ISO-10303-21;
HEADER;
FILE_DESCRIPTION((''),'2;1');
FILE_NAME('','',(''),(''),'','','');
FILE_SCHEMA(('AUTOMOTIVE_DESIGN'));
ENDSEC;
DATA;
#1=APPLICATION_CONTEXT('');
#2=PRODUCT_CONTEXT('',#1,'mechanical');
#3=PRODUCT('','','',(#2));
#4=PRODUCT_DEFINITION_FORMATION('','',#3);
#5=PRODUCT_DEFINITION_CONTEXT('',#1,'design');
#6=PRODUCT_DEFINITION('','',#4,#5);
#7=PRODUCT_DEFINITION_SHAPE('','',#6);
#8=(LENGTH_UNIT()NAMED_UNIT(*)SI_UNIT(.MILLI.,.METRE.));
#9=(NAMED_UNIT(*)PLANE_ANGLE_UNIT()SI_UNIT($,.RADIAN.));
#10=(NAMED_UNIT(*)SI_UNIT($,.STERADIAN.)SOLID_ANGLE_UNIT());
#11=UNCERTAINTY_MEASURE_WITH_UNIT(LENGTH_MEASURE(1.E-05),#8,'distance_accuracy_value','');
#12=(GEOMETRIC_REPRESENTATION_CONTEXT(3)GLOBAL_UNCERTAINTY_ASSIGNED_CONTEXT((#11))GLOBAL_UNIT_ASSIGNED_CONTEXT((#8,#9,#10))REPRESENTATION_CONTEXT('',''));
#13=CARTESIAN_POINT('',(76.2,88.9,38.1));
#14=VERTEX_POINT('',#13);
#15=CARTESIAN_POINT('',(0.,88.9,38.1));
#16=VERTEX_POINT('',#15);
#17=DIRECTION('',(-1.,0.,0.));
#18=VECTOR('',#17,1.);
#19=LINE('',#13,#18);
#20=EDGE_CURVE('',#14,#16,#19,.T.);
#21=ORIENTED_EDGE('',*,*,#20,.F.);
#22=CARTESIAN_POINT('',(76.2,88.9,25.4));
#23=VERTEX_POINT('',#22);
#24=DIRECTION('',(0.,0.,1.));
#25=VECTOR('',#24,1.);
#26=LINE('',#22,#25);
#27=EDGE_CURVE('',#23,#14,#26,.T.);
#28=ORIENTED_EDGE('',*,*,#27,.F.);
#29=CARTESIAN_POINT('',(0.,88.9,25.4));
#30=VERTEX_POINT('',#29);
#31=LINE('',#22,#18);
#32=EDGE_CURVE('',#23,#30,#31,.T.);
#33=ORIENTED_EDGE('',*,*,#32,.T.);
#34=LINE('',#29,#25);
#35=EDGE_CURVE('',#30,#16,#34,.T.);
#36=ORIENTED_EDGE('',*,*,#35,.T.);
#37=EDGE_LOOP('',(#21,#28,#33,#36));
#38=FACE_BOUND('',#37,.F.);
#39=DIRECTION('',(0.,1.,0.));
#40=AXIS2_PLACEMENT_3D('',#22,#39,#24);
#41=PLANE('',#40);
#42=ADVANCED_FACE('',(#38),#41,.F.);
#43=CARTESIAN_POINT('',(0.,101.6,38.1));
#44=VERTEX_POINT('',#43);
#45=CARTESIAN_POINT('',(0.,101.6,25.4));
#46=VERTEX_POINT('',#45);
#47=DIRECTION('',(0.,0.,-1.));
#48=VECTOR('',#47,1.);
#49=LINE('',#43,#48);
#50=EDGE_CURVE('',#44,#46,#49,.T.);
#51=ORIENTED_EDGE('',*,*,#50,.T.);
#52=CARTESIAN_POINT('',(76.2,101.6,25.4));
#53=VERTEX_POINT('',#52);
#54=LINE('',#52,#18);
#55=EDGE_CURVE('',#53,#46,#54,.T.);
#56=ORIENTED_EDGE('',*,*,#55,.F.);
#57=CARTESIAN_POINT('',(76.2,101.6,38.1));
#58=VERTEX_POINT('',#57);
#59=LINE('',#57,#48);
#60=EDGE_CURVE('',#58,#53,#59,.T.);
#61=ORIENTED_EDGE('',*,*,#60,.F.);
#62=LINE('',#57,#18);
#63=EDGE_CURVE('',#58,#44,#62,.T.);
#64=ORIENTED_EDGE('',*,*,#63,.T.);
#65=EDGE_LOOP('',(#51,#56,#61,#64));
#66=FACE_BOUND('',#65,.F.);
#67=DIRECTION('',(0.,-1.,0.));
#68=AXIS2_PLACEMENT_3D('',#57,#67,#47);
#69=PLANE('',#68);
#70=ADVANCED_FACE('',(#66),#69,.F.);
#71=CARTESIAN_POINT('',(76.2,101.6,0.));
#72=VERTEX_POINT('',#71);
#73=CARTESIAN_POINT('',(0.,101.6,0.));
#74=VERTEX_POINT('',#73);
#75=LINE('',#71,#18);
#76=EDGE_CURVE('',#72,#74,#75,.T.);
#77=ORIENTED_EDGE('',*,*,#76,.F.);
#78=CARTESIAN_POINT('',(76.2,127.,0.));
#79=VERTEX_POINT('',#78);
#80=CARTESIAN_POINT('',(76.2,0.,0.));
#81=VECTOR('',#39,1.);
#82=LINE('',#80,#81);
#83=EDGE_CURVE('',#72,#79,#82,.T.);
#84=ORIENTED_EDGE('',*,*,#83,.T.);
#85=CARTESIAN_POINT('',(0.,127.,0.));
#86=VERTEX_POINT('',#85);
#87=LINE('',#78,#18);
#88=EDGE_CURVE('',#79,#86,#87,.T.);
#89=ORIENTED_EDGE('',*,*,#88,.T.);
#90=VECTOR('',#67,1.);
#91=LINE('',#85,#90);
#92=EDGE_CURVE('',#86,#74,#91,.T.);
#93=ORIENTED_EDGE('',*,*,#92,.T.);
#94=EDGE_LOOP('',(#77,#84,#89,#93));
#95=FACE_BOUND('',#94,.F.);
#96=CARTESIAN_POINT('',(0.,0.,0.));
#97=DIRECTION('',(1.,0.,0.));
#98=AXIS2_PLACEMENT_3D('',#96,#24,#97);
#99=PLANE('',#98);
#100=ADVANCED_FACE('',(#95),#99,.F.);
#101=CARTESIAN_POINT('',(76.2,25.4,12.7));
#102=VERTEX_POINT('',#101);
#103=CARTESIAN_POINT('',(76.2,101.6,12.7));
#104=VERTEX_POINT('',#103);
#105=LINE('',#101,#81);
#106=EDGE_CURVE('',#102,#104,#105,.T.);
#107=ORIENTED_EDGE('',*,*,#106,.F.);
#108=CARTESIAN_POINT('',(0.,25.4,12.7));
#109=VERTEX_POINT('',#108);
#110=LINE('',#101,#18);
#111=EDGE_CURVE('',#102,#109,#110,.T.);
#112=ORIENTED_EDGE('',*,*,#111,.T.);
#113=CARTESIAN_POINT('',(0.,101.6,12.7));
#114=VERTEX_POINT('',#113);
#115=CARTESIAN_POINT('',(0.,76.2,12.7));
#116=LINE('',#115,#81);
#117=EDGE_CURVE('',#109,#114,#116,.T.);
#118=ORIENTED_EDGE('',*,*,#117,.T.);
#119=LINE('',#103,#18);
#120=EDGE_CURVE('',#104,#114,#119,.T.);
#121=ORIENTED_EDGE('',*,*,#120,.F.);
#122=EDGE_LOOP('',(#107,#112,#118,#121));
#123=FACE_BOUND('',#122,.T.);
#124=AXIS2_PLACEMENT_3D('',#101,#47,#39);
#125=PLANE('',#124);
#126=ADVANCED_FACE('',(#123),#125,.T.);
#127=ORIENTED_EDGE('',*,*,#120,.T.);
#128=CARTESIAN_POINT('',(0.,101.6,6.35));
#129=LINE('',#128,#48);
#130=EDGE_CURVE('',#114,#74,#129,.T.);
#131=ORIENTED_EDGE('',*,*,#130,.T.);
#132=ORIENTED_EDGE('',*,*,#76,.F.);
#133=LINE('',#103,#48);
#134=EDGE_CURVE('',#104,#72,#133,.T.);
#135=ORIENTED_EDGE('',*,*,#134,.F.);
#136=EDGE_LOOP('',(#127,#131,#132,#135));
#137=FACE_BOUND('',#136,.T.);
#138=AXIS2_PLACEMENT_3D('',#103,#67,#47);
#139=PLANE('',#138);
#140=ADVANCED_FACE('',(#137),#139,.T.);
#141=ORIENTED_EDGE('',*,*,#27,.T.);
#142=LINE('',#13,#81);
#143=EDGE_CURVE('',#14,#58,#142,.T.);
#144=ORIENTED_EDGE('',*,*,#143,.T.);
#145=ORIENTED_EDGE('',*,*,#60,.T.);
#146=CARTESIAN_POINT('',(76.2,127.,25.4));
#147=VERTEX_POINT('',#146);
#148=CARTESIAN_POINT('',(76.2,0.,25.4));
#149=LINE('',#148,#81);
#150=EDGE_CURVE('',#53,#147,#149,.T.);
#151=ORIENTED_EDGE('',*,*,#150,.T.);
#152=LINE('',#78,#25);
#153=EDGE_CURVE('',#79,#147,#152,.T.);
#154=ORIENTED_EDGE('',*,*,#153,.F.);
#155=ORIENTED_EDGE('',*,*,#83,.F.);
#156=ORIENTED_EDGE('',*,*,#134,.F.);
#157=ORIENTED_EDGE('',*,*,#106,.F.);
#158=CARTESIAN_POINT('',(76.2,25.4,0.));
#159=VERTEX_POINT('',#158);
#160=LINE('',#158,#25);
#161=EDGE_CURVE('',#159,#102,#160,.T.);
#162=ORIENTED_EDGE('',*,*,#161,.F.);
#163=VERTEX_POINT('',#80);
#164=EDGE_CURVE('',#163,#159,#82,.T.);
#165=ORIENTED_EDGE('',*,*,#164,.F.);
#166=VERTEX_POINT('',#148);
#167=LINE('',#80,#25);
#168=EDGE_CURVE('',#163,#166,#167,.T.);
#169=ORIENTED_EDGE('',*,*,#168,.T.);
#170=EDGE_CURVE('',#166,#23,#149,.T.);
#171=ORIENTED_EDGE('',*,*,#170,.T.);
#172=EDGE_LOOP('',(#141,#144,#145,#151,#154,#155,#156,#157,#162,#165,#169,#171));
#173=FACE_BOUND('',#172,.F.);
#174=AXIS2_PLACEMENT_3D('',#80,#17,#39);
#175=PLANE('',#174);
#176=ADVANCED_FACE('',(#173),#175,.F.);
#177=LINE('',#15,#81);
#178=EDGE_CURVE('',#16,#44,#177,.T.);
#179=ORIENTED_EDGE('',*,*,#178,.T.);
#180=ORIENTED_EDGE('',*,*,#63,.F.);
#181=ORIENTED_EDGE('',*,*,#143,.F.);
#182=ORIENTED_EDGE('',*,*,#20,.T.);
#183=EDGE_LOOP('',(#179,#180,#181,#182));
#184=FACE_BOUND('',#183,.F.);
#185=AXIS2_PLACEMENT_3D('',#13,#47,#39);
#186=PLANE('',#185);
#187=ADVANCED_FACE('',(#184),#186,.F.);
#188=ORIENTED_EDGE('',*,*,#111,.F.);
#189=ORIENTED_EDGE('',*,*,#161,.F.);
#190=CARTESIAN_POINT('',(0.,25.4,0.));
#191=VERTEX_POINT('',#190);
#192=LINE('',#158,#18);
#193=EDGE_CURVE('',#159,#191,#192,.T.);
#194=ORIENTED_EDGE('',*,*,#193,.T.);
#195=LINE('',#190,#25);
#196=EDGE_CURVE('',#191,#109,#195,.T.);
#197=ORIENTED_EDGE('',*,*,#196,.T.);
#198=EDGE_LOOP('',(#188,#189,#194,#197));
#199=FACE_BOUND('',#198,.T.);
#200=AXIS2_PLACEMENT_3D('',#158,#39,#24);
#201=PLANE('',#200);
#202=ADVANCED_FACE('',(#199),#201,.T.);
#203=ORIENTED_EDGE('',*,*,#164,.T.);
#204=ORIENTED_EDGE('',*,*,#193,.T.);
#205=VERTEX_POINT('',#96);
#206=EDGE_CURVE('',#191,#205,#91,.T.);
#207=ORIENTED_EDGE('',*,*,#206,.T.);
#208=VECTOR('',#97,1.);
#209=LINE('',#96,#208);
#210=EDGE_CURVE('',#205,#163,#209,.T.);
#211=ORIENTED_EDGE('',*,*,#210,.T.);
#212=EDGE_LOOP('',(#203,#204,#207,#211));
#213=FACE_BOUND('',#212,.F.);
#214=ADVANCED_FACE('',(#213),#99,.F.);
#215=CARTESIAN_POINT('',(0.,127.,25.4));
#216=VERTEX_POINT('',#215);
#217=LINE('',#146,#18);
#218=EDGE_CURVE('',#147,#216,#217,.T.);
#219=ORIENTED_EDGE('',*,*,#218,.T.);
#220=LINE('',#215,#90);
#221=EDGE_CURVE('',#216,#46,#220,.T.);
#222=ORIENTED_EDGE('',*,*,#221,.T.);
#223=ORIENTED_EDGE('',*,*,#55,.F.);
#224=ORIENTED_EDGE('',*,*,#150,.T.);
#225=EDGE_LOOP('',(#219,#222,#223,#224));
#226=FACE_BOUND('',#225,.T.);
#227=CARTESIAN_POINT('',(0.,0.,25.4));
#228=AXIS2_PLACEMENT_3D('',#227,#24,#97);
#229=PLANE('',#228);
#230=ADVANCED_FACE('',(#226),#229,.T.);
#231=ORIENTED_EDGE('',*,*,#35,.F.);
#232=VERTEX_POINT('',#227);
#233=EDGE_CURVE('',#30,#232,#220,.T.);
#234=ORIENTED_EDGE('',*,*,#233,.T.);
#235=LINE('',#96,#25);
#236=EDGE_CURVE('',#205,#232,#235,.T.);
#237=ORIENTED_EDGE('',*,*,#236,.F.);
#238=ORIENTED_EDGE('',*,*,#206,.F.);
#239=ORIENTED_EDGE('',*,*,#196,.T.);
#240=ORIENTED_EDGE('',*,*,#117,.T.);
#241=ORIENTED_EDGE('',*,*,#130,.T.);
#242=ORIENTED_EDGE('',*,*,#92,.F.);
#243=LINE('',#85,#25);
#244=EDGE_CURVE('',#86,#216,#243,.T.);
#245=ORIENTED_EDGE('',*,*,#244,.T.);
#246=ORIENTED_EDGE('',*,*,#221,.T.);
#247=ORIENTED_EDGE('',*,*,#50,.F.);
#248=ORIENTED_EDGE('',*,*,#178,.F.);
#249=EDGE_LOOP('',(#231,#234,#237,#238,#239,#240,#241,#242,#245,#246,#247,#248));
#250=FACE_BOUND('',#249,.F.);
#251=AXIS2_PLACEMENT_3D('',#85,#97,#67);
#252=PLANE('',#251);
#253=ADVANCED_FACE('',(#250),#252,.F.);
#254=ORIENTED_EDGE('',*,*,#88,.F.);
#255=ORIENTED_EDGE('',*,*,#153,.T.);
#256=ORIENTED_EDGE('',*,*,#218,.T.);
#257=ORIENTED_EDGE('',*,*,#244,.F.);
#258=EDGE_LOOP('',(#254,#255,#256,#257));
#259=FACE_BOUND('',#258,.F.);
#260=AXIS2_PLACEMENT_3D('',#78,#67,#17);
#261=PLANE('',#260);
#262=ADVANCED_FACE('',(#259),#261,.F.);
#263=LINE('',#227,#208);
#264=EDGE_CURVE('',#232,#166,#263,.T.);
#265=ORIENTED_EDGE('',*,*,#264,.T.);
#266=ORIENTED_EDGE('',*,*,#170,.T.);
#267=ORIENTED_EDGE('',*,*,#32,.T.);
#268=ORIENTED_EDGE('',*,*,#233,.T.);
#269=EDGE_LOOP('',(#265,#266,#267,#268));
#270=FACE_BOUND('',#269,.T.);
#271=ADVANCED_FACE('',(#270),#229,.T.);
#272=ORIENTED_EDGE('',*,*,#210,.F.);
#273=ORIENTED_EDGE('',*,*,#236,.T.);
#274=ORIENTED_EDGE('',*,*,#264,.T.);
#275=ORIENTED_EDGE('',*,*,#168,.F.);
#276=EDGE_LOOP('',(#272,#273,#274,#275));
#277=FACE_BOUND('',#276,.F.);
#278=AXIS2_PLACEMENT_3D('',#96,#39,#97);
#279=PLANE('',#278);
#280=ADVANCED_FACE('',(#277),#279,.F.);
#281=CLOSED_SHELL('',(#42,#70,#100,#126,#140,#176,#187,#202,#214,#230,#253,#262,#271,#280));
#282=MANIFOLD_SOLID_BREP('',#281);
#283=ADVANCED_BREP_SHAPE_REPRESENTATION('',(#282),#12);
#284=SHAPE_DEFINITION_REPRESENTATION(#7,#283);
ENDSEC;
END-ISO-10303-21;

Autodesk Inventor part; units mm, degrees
ref_plane "YZ Plane" through (0, 0, 0) normal (1, 0, 0) x (0, 1, 0)
ref_plane "XZ Plane" through (0, 0, 0) normal (0, 1, 0) x (-1, 0, 0)
ref_plane "XY Plane" through (0, 0, 0) normal (0, 0, 1) x (1, 0, 0)
sketch "Sketch1" plane through (0, 0, 0) normal (0, 0, 1) x (1, 0, 0)
  line L0 (0, 0) -> (76.2, 0)
  line L1 (76.2, 0) -> (76.2, 127)
  line L2 (76.2, 127) -> (0, 127)
  line L3 (0, 127) -> (0, 0)
  dimension "d0" = 76.2
  dimension "d1" = 127
extrude "Extrusion1" add sketch "Sketch1" along normal blind 25.4
sketch "Sketch2" plane through (76.2, 0, 0) normal (1, 0, 0) x (0, 0, -1)
  line L0 (0, 0) -> (-25.4, 0) projected
  line L1 (0, 0) -> (0, 127) projected
  line L2 (0, 127) -> (-25.4, 127) projected
  line L3 (0, 25.4) -> (-12.7, 25.4)
  line L4 (-12.7, 25.4) -> (-12.7, 101.6)
  line L5 (-12.7, 101.6) -> (0, 101.6)
  line L6 (0, 101.6) -> (0, 25.4)
  dimension "d4" = 12.7
  dimension "d5" = 25.4
  dimension "d6" = 25.4
extrude "Extrusion2" cut sketch "Sketch2" against normal through all
sketch "Sketch3" plane through (76.2, 0, 25.4) normal (1, 0, 0) x (0, 0, -1)
  line L0 (0, 127) -> (0, 0) projected
  line L1 (0, 88.9) -> (-12.7, 88.9)
  line L2 (-12.7, 88.9) -> (-12.7, 101.6)
  line L3 (-12.7, 101.6) -> (0, 101.6)
  line L4 (0, 101.6) -> (0, 88.9)
  line L5 (25.4, 127) -> (0, 127) projected
  dimension "d9" = 12.7
  dimension "d10" = 12.7
  dimension "d14" = 25.4
extrude "Extrusion3" add sketch "Sketch3" against normal up to surface (76.2 mm away) from surface at 0
equation "\"d6\" = d5"
properties part number "Slider"
